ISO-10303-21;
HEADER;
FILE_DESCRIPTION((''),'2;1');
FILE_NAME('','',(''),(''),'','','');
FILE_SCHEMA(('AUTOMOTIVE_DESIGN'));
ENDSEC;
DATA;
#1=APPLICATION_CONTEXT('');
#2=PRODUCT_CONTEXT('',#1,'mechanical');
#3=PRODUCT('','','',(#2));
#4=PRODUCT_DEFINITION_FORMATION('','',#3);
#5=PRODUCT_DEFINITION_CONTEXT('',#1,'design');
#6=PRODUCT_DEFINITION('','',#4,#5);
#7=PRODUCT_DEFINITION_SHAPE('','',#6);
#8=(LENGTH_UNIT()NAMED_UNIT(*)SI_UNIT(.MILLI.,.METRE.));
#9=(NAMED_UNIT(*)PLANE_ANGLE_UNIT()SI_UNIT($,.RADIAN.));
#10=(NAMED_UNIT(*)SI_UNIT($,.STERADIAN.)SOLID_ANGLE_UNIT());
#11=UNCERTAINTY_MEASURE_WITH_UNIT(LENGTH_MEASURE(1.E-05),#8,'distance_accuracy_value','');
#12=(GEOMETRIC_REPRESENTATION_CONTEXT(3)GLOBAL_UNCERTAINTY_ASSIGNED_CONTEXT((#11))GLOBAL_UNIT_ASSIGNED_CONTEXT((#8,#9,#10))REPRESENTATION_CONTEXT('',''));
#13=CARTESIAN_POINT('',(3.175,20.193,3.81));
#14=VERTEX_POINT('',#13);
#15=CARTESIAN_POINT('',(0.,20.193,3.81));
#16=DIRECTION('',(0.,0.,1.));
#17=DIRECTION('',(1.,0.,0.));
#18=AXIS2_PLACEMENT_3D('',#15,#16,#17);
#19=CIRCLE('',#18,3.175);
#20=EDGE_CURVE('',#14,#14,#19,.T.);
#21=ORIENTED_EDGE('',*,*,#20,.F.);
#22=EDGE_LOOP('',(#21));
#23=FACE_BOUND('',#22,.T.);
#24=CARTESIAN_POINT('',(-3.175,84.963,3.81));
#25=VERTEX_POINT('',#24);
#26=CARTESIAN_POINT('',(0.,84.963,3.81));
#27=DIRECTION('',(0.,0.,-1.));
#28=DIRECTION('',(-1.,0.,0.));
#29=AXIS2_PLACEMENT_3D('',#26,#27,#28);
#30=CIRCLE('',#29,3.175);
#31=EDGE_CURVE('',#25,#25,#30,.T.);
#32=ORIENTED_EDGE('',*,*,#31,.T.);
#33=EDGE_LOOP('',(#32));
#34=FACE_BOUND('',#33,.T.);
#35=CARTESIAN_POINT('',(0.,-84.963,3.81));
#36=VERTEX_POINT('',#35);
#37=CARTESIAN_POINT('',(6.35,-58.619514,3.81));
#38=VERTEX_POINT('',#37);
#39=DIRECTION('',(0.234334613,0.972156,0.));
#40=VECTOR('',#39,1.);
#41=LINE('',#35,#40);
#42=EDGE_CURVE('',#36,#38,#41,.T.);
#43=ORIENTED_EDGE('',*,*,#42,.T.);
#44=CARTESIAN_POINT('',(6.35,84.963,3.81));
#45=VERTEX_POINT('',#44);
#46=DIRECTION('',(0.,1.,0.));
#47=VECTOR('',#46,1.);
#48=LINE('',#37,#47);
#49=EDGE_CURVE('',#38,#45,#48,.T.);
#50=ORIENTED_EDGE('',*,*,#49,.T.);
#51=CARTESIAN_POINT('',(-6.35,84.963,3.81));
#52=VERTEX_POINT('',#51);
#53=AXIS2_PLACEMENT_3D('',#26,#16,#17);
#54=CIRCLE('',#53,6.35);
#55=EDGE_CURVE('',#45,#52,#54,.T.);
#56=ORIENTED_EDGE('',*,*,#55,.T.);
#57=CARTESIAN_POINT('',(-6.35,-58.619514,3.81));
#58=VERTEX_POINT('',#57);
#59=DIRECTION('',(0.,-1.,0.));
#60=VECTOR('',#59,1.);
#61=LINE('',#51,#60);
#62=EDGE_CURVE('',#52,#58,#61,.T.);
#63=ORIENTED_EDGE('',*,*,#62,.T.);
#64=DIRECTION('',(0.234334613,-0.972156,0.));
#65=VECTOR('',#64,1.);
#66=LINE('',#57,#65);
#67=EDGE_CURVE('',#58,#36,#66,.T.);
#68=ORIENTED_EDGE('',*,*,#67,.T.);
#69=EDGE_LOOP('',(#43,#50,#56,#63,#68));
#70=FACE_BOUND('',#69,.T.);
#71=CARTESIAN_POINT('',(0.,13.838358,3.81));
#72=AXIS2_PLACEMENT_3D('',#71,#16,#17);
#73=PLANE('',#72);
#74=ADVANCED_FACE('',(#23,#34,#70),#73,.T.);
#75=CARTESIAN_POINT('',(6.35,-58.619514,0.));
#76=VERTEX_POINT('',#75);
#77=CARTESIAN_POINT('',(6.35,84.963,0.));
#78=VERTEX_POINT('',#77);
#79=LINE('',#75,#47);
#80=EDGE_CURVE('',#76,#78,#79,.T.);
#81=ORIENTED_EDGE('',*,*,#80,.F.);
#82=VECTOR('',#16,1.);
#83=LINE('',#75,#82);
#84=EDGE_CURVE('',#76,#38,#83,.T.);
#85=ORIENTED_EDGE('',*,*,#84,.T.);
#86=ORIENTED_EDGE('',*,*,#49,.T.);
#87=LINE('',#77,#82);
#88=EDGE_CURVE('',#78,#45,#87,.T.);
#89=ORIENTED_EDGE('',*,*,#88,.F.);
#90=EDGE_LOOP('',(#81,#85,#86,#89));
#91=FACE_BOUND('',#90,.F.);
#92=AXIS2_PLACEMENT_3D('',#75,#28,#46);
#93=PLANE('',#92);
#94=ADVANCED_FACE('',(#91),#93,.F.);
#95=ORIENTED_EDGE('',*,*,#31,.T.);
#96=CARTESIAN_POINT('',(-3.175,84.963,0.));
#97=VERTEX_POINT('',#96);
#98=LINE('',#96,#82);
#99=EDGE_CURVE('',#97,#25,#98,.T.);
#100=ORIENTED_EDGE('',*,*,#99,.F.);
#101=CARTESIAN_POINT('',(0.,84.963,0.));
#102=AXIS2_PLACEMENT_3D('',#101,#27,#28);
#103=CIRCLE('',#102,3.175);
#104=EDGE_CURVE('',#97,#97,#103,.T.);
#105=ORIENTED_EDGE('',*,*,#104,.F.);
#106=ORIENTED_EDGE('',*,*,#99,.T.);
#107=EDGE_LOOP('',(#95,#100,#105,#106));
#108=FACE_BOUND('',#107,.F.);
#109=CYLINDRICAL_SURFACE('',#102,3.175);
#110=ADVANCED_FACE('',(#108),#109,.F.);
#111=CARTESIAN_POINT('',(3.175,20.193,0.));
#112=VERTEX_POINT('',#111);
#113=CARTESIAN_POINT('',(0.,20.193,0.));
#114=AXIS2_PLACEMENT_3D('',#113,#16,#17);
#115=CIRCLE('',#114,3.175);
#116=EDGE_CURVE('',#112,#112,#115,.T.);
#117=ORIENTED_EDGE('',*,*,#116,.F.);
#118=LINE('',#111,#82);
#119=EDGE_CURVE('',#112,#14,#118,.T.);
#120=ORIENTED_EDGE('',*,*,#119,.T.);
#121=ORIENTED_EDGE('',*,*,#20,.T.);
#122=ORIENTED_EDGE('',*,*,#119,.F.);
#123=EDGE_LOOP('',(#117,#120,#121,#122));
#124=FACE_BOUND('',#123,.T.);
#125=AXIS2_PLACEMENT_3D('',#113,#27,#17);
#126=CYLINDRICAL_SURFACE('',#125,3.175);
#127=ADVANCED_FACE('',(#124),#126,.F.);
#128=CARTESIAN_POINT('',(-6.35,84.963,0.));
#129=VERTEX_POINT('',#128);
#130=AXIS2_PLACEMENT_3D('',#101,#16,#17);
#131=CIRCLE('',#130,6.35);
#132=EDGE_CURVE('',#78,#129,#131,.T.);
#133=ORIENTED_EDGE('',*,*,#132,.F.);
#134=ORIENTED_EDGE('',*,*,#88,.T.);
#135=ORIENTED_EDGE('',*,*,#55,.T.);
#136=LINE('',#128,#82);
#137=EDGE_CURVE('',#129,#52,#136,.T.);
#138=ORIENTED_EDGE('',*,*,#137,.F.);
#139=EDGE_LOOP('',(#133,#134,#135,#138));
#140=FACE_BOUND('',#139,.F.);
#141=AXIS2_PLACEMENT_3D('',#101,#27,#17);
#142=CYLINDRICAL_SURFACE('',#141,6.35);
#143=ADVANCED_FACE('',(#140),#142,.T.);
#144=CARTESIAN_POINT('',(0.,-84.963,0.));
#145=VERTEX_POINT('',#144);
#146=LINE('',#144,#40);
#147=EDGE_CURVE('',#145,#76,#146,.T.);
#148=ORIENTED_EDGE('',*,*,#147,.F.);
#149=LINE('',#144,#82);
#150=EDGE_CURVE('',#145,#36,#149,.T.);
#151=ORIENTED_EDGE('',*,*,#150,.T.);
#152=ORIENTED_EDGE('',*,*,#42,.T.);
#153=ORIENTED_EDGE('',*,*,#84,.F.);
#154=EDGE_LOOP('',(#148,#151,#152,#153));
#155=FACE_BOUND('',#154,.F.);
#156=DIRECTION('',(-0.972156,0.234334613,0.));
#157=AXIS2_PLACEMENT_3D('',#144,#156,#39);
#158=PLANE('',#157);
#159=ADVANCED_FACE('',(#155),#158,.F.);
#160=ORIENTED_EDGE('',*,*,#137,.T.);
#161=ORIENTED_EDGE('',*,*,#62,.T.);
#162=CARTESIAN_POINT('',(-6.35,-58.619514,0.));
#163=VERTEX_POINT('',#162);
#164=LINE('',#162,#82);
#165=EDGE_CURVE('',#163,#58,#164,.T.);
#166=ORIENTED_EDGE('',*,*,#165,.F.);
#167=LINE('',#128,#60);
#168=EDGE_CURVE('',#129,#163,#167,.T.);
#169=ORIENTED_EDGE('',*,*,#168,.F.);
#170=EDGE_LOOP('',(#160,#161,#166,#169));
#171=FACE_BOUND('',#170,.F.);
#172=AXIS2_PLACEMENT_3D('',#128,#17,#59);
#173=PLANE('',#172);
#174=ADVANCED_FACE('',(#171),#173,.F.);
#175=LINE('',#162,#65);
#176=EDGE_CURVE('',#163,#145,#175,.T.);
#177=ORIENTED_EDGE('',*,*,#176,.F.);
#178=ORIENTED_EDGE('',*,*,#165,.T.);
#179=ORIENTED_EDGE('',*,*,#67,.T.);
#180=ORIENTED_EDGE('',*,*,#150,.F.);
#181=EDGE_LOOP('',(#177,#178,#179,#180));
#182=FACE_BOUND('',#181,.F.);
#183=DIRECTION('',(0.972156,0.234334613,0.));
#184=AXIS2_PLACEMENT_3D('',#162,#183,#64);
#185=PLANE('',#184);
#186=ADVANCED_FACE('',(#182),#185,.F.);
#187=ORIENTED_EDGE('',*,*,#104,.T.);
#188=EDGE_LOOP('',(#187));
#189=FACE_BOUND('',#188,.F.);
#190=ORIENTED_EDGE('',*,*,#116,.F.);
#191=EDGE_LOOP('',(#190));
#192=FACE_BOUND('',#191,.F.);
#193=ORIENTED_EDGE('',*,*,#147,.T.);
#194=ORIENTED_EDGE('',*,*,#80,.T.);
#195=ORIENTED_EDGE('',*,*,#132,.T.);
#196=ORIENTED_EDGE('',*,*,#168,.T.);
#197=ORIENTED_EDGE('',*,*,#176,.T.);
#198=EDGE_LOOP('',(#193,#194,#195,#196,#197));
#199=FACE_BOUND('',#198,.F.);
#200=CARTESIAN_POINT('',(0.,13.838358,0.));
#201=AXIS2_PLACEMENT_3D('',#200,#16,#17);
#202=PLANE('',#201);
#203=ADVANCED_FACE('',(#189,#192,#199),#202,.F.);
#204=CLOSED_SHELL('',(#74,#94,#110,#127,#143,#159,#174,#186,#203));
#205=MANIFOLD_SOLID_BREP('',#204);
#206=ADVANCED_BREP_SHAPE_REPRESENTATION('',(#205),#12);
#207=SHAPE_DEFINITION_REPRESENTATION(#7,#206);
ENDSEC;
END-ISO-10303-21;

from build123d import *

# Parameters (mm, degrees)
F0_R     = 3.175
F1_DEPTH = 3.81


with BuildPart() as f1:
    # F0 (on Top) → F1 (new body)
    with BuildSketch(Plane.XY):
        with BuildLine():
            Line((6.35, 84.963), (3.175, 84.963))
            ThreePointArc((3.175, 84.963), (0, 81.788), (-3.175, 84.963))
            Line((-3.175, 84.963), (-6.35, 84.963))
            Line((-6.35, 84.963), (-6.35, -58.619514))
            Line((-6.35, -58.619514), (6.35, -58.619514))
            Line((6.35, -58.619514), (6.35, 84.963))
        make_face()
        with Locations((0, 20.193)):
            Circle(F0_R, mode=Mode.SUBTRACT)
        Polygon((0, -84.963), (6.35, -58.619514), (-6.35, -58.619514), align=None)
        with BuildLine():
            ThreePointArc((-3.175, 84.963), (0, 88.138), (3.175, 84.963))
            Line((3.175, 84.963), (6.35, 84.963))
            ThreePointArc((6.35, 84.963), (0, 91.313), (-6.35, 84.963))
            Line((-6.35, 84.963), (-3.175, 84.963))
        make_face()
    extrude(amount=F1_DEPTH)


solid = f1.part
